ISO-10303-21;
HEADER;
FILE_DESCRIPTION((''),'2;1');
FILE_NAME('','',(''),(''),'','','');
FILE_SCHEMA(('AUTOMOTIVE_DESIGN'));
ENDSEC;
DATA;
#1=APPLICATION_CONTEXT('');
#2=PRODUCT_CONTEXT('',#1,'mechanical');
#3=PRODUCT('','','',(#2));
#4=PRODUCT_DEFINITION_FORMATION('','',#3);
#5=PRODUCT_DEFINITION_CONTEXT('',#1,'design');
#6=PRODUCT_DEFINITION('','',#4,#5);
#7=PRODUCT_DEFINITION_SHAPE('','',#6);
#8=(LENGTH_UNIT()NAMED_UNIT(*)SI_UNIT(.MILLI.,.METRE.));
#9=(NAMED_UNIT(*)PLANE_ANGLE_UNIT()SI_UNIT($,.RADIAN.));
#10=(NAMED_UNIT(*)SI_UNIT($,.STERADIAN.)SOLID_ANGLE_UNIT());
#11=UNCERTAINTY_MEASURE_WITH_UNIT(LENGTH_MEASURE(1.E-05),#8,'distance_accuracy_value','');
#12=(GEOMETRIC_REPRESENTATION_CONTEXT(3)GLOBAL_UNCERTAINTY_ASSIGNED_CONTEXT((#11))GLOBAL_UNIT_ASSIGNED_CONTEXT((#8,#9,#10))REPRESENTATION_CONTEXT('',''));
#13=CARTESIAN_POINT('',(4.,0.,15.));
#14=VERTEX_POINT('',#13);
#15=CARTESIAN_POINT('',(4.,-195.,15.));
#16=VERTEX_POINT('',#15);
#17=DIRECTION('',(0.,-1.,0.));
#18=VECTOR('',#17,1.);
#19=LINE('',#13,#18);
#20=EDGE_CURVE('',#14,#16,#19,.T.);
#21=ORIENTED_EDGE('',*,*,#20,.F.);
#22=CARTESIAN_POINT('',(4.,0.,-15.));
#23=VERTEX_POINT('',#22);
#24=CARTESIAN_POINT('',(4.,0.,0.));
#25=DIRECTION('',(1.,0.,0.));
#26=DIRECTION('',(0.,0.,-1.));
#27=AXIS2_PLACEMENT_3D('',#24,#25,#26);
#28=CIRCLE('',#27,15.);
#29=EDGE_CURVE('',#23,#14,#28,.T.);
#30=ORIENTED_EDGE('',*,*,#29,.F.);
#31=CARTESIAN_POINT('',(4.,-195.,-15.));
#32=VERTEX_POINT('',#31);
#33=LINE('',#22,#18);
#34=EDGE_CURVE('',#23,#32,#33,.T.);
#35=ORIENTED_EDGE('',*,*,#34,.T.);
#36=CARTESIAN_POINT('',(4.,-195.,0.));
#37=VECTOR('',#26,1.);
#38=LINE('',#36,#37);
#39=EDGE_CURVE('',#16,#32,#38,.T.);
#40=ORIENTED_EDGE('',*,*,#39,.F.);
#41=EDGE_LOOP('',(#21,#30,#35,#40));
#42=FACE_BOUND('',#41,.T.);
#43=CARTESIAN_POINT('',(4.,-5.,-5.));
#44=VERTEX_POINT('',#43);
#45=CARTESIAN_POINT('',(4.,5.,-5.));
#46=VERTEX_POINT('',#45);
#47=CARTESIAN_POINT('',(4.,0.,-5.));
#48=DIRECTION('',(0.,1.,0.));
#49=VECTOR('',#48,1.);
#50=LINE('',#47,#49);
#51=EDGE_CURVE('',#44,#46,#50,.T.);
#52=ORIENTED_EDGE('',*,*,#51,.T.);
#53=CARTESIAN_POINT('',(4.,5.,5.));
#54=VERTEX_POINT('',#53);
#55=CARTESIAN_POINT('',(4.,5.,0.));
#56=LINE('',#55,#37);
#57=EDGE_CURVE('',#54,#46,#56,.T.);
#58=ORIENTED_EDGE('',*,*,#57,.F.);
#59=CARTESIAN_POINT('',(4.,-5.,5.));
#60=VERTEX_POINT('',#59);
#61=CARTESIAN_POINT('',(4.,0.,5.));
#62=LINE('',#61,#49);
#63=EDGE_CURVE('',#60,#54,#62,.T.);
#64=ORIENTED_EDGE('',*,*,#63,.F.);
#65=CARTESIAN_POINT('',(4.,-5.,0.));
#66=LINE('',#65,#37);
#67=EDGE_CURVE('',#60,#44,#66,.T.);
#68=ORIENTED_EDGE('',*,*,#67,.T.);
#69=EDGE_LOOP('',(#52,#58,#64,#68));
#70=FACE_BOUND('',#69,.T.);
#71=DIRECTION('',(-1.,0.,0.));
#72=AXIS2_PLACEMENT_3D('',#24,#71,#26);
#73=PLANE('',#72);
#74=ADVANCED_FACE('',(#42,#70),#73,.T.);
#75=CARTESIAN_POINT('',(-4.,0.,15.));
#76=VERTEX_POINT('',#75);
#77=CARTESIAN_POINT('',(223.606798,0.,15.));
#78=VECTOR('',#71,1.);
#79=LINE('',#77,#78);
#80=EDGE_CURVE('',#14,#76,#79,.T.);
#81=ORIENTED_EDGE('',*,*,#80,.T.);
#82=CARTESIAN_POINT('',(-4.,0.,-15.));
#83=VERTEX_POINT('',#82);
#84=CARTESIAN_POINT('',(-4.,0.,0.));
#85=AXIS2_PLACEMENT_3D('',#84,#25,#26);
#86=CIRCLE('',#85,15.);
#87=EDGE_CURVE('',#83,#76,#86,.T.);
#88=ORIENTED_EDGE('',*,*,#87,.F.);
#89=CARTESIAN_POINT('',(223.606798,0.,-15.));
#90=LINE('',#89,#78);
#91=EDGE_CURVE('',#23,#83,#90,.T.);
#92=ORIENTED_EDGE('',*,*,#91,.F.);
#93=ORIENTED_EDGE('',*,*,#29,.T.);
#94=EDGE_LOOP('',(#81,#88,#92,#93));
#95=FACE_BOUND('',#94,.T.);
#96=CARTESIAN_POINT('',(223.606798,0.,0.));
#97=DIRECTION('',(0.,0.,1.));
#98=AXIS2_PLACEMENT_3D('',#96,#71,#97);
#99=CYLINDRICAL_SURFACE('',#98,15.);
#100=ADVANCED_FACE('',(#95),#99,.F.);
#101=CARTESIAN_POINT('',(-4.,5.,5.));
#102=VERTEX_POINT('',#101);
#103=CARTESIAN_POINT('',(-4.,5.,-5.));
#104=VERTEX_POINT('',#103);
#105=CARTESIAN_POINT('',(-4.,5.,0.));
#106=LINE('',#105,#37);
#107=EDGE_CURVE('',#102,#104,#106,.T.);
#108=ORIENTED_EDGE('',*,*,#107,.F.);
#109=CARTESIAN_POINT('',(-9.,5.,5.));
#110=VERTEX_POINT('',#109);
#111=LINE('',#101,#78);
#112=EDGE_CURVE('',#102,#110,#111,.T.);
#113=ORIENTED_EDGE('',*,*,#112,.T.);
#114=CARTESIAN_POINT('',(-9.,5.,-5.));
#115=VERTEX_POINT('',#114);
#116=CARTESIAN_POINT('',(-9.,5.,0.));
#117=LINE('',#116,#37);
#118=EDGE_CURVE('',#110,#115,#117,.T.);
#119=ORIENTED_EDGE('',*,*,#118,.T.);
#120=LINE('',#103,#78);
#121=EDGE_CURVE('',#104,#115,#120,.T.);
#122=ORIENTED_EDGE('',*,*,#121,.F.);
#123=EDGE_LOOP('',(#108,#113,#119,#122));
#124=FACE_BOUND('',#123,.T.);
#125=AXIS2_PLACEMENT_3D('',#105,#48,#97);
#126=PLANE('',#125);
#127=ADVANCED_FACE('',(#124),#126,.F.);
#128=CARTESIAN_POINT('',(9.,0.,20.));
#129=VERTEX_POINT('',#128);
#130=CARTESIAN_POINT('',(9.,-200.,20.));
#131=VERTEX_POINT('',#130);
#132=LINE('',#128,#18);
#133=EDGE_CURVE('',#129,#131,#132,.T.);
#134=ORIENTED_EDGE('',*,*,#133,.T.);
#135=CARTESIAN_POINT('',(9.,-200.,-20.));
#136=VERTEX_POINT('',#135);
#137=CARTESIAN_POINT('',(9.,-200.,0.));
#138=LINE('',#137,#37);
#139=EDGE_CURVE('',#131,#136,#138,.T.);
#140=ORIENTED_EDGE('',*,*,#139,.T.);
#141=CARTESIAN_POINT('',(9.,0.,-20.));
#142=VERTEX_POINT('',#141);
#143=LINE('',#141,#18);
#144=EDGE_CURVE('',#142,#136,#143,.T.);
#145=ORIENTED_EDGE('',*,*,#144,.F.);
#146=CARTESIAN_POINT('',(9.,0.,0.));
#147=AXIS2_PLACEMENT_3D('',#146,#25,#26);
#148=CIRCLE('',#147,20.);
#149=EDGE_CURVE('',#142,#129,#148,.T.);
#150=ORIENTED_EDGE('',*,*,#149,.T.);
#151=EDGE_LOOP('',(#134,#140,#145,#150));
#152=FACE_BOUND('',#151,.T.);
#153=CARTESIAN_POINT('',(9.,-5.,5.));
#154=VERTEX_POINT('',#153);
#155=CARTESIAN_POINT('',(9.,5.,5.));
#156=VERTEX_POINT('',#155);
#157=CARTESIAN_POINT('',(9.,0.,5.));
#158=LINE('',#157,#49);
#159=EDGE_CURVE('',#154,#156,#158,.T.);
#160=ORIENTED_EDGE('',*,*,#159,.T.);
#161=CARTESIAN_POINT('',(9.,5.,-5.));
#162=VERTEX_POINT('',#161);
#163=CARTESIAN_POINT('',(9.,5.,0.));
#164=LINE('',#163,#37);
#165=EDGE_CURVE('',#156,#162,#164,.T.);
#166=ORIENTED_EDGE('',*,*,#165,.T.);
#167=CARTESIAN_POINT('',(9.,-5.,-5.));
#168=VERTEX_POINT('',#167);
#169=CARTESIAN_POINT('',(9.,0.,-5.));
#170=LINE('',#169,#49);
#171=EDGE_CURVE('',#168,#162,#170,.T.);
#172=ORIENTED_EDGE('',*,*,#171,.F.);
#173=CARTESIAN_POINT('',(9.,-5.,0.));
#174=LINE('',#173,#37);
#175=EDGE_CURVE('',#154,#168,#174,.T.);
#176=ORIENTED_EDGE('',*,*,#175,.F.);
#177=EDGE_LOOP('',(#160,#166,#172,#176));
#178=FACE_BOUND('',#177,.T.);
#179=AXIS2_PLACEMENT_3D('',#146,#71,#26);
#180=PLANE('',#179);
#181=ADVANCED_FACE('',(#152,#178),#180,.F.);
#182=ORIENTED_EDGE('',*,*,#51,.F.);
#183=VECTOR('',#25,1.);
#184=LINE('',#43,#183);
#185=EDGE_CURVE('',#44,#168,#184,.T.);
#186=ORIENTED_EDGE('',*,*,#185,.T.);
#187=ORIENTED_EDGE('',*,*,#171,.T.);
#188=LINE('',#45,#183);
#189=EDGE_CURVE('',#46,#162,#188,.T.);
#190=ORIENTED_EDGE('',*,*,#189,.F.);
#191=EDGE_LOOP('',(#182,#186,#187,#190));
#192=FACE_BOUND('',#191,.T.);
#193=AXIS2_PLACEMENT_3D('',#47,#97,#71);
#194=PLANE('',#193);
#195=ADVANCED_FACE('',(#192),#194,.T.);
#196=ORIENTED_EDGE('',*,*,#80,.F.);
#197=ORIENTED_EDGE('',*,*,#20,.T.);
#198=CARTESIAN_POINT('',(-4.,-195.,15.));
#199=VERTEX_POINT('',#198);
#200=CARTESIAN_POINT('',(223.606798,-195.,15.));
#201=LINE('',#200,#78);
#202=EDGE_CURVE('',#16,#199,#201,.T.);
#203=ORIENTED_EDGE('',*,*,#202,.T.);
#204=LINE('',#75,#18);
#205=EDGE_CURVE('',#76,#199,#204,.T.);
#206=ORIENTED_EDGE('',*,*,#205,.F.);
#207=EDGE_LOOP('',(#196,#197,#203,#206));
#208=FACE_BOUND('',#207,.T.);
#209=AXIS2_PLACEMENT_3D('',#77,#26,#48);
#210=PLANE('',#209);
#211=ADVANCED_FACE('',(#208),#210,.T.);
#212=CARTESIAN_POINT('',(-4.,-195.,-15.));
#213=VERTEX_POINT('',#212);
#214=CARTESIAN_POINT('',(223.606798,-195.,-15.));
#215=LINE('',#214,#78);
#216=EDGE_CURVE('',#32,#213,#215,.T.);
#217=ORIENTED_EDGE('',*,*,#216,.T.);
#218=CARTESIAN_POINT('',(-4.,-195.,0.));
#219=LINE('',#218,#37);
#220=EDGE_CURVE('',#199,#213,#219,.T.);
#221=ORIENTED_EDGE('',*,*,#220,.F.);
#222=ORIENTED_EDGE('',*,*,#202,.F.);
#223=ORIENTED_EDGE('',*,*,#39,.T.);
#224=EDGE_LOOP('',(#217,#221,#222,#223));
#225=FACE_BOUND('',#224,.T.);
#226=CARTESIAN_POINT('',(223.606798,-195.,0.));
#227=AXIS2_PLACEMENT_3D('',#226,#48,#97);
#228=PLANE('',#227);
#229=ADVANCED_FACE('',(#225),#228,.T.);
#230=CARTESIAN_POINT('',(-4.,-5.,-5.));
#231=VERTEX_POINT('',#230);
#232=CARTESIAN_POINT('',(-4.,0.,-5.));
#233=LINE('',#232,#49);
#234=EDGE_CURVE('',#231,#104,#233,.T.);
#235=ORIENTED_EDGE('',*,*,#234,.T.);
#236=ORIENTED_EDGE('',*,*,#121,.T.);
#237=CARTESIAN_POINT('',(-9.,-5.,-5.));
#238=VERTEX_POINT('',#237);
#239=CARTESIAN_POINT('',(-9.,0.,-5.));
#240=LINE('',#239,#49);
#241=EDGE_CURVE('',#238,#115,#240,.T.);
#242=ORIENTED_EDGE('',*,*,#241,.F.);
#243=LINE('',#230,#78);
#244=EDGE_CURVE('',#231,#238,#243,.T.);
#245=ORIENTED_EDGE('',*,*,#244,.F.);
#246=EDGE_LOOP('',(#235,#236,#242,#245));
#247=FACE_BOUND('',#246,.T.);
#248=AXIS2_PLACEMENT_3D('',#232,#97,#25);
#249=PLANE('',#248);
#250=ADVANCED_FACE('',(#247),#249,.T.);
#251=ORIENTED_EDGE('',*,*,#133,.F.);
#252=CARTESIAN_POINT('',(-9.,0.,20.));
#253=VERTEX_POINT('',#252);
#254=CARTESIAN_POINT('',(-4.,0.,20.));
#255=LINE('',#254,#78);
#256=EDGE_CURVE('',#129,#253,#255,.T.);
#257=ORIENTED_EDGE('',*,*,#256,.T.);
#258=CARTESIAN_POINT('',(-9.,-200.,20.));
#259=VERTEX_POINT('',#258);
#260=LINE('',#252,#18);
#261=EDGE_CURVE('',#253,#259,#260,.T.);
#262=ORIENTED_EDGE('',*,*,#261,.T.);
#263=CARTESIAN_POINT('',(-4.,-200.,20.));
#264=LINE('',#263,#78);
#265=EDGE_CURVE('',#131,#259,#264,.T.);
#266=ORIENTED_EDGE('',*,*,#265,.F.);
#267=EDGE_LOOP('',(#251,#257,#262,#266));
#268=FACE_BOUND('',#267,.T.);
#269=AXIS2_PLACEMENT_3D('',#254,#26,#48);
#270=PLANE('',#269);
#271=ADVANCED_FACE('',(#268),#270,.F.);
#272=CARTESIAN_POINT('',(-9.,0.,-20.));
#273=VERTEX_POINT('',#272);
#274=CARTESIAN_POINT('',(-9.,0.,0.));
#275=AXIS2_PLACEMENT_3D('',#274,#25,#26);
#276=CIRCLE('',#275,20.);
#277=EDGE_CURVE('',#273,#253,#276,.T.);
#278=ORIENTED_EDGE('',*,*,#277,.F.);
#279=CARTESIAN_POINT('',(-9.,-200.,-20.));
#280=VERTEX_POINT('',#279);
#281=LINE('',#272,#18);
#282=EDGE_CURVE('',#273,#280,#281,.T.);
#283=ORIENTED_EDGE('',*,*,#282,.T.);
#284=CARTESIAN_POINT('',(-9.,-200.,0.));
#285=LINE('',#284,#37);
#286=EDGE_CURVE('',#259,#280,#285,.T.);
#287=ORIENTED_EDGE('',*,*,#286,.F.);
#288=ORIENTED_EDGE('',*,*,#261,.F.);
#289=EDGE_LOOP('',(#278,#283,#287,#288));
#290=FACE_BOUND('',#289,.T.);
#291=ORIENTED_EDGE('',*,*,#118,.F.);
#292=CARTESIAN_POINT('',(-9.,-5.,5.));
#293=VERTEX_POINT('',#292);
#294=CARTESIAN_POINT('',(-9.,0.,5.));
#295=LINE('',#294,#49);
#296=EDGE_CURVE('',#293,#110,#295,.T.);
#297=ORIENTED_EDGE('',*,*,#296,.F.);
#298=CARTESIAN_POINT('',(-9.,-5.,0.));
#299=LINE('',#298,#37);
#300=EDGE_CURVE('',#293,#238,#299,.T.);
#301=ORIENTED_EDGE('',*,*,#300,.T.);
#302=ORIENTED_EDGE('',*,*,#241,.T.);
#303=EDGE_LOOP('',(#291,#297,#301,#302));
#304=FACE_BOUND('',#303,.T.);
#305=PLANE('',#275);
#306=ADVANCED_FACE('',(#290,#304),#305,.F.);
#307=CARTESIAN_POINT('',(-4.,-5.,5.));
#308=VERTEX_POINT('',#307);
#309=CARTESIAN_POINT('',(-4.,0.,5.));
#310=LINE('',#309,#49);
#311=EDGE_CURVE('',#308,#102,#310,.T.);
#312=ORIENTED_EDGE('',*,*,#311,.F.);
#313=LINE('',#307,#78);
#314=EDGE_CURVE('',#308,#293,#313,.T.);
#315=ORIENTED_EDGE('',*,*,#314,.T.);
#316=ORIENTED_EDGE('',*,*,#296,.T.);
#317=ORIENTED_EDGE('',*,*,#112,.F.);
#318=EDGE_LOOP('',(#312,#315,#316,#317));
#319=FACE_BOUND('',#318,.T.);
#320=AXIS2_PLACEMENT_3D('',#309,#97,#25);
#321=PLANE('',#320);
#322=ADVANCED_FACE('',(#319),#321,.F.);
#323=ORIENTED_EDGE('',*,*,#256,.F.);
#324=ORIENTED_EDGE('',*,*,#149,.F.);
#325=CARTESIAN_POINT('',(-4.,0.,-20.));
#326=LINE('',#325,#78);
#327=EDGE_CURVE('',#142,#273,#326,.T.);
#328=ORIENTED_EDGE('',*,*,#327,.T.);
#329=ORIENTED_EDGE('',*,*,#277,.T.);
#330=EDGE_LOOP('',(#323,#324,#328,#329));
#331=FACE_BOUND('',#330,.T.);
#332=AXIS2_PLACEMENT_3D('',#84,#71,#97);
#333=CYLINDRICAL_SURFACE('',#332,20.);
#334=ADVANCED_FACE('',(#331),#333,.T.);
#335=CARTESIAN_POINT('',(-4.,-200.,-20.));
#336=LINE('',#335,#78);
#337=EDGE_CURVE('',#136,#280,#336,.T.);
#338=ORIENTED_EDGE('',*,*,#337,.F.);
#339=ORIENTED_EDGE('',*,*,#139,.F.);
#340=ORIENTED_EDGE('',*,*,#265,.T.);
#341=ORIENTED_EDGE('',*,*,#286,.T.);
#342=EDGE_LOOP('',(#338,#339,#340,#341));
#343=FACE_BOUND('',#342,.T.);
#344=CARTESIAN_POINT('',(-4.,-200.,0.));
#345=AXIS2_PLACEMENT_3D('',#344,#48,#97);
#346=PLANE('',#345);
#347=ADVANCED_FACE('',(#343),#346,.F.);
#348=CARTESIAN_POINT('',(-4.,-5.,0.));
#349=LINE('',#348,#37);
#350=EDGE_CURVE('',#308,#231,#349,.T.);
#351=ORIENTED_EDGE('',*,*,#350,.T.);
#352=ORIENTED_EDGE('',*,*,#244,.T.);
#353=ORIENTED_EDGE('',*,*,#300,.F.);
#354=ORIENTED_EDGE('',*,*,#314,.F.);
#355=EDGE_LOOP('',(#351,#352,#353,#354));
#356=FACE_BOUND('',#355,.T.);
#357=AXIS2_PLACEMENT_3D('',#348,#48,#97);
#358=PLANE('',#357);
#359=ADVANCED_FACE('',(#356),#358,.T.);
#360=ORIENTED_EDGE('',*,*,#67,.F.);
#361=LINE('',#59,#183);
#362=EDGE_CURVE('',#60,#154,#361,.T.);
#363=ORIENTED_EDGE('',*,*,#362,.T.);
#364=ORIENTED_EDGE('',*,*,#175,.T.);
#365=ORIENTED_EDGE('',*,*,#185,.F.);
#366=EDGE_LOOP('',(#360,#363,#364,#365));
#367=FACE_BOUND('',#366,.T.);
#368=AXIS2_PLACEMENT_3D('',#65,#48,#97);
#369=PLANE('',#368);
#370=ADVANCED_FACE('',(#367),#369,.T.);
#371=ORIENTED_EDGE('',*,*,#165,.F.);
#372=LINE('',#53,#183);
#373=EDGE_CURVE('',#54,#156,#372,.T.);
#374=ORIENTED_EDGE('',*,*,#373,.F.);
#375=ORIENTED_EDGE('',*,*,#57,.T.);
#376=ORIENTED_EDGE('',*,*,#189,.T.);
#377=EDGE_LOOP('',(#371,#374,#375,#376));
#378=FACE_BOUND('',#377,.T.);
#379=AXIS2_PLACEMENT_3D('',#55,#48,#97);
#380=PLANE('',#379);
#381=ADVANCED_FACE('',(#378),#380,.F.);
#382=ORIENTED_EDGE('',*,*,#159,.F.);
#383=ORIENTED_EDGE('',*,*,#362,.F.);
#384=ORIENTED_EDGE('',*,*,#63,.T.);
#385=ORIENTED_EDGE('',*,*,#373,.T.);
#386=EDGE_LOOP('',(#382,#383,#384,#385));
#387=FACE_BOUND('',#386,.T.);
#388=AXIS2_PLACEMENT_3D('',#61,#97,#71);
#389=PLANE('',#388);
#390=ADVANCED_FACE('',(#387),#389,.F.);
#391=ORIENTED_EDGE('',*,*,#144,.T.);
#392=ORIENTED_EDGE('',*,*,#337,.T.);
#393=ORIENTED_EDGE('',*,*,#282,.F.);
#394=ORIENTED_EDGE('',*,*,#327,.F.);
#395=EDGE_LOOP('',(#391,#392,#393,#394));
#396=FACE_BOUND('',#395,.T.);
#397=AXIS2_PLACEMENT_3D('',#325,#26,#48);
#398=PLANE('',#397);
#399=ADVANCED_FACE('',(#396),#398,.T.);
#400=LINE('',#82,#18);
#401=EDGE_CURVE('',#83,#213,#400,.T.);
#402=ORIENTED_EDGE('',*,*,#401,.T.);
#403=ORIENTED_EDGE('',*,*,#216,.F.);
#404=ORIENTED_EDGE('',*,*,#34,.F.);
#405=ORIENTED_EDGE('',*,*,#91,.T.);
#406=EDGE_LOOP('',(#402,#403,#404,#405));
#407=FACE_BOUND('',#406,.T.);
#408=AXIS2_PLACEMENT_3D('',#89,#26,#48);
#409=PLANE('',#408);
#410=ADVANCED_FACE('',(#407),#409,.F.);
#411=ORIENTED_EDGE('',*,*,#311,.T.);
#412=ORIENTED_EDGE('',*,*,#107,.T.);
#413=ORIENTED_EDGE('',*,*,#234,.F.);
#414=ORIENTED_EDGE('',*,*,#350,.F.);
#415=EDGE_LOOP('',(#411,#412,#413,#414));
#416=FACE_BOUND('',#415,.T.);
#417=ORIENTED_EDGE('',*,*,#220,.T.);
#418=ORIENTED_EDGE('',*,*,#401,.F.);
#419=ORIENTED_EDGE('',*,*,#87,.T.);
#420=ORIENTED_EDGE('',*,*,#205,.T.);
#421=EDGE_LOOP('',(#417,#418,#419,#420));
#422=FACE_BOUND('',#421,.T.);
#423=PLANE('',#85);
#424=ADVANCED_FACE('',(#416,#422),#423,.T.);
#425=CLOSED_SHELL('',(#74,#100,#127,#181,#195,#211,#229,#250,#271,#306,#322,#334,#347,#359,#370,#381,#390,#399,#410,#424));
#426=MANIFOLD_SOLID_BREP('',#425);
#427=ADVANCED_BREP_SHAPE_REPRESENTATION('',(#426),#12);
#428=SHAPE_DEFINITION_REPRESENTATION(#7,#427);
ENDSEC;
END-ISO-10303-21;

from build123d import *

# Parameters (mm, degrees)
BOSS_EXTRUDE1_START = -9
SKETCH2_W           = 10
SKETCH2_H           = 10
BOSS_EXTRUDE1_DEPTH = 5
BOSS_EXTRUDE2_START = -4
BOSS_EXTRUDE2_DEPTH = 4


with BuildPart() as part:
    # Sketch2 → Boss-Extrude1 (new body)
    with BuildSketch(Plane(origin=(0, 0, 0), x_dir=(0, 0, -1), z_dir=(1, 0, 0)).offset(BOSS_EXTRUDE1_START)):
        with BuildLine():
            Line((-20, 0), (-20, -200))
            Line((-20, -200), (20, -200))
            Line((20, -200), (20, 0))
            ThreePointArc((20, 0), (0, 20), (-20, 0))
        make_face()
        Rectangle(SKETCH2_W, SKETCH2_H, mode=Mode.SUBTRACT)
    extrude(amount=BOSS_EXTRUDE1_DEPTH)

    # Sketch2<6> → Boss-Extrude2 (add)
    with BuildSketch(Plane(origin=(0, 0, 0), x_dir=(0, 0, -1), z_dir=(1, 0, 0)).offset(BOSS_EXTRUDE2_START)):
        with BuildLine():
            Line((-20, 0), (-20, -200))
            Line((-20, -200), (20, -200))
            Line((20, -200), (20, 0))
            ThreePointArc((20, 0), (0, 20), (-20, 0))
        make_face()
        with BuildLine():
            Line((15, 0), (15, -195))
            Line((15, -195), (-15, -195))
            Line((-15, -195), (-15, 0))
            ThreePointArc((-15, 0), (0, 15), (15, 0))
        make_face(mode=Mode.SUBTRACT)
    extrude(amount=BOSS_EXTRUDE2_DEPTH)

    # Mirror1: part across plane


with BuildPart() as part_1:
    add(part.part)
    add(part.part.mirror(Plane(origin=(0, 0, 0), x_dir=(0, 0, 1), z_dir=(1, 0, 0))))


solid = part_1.part
